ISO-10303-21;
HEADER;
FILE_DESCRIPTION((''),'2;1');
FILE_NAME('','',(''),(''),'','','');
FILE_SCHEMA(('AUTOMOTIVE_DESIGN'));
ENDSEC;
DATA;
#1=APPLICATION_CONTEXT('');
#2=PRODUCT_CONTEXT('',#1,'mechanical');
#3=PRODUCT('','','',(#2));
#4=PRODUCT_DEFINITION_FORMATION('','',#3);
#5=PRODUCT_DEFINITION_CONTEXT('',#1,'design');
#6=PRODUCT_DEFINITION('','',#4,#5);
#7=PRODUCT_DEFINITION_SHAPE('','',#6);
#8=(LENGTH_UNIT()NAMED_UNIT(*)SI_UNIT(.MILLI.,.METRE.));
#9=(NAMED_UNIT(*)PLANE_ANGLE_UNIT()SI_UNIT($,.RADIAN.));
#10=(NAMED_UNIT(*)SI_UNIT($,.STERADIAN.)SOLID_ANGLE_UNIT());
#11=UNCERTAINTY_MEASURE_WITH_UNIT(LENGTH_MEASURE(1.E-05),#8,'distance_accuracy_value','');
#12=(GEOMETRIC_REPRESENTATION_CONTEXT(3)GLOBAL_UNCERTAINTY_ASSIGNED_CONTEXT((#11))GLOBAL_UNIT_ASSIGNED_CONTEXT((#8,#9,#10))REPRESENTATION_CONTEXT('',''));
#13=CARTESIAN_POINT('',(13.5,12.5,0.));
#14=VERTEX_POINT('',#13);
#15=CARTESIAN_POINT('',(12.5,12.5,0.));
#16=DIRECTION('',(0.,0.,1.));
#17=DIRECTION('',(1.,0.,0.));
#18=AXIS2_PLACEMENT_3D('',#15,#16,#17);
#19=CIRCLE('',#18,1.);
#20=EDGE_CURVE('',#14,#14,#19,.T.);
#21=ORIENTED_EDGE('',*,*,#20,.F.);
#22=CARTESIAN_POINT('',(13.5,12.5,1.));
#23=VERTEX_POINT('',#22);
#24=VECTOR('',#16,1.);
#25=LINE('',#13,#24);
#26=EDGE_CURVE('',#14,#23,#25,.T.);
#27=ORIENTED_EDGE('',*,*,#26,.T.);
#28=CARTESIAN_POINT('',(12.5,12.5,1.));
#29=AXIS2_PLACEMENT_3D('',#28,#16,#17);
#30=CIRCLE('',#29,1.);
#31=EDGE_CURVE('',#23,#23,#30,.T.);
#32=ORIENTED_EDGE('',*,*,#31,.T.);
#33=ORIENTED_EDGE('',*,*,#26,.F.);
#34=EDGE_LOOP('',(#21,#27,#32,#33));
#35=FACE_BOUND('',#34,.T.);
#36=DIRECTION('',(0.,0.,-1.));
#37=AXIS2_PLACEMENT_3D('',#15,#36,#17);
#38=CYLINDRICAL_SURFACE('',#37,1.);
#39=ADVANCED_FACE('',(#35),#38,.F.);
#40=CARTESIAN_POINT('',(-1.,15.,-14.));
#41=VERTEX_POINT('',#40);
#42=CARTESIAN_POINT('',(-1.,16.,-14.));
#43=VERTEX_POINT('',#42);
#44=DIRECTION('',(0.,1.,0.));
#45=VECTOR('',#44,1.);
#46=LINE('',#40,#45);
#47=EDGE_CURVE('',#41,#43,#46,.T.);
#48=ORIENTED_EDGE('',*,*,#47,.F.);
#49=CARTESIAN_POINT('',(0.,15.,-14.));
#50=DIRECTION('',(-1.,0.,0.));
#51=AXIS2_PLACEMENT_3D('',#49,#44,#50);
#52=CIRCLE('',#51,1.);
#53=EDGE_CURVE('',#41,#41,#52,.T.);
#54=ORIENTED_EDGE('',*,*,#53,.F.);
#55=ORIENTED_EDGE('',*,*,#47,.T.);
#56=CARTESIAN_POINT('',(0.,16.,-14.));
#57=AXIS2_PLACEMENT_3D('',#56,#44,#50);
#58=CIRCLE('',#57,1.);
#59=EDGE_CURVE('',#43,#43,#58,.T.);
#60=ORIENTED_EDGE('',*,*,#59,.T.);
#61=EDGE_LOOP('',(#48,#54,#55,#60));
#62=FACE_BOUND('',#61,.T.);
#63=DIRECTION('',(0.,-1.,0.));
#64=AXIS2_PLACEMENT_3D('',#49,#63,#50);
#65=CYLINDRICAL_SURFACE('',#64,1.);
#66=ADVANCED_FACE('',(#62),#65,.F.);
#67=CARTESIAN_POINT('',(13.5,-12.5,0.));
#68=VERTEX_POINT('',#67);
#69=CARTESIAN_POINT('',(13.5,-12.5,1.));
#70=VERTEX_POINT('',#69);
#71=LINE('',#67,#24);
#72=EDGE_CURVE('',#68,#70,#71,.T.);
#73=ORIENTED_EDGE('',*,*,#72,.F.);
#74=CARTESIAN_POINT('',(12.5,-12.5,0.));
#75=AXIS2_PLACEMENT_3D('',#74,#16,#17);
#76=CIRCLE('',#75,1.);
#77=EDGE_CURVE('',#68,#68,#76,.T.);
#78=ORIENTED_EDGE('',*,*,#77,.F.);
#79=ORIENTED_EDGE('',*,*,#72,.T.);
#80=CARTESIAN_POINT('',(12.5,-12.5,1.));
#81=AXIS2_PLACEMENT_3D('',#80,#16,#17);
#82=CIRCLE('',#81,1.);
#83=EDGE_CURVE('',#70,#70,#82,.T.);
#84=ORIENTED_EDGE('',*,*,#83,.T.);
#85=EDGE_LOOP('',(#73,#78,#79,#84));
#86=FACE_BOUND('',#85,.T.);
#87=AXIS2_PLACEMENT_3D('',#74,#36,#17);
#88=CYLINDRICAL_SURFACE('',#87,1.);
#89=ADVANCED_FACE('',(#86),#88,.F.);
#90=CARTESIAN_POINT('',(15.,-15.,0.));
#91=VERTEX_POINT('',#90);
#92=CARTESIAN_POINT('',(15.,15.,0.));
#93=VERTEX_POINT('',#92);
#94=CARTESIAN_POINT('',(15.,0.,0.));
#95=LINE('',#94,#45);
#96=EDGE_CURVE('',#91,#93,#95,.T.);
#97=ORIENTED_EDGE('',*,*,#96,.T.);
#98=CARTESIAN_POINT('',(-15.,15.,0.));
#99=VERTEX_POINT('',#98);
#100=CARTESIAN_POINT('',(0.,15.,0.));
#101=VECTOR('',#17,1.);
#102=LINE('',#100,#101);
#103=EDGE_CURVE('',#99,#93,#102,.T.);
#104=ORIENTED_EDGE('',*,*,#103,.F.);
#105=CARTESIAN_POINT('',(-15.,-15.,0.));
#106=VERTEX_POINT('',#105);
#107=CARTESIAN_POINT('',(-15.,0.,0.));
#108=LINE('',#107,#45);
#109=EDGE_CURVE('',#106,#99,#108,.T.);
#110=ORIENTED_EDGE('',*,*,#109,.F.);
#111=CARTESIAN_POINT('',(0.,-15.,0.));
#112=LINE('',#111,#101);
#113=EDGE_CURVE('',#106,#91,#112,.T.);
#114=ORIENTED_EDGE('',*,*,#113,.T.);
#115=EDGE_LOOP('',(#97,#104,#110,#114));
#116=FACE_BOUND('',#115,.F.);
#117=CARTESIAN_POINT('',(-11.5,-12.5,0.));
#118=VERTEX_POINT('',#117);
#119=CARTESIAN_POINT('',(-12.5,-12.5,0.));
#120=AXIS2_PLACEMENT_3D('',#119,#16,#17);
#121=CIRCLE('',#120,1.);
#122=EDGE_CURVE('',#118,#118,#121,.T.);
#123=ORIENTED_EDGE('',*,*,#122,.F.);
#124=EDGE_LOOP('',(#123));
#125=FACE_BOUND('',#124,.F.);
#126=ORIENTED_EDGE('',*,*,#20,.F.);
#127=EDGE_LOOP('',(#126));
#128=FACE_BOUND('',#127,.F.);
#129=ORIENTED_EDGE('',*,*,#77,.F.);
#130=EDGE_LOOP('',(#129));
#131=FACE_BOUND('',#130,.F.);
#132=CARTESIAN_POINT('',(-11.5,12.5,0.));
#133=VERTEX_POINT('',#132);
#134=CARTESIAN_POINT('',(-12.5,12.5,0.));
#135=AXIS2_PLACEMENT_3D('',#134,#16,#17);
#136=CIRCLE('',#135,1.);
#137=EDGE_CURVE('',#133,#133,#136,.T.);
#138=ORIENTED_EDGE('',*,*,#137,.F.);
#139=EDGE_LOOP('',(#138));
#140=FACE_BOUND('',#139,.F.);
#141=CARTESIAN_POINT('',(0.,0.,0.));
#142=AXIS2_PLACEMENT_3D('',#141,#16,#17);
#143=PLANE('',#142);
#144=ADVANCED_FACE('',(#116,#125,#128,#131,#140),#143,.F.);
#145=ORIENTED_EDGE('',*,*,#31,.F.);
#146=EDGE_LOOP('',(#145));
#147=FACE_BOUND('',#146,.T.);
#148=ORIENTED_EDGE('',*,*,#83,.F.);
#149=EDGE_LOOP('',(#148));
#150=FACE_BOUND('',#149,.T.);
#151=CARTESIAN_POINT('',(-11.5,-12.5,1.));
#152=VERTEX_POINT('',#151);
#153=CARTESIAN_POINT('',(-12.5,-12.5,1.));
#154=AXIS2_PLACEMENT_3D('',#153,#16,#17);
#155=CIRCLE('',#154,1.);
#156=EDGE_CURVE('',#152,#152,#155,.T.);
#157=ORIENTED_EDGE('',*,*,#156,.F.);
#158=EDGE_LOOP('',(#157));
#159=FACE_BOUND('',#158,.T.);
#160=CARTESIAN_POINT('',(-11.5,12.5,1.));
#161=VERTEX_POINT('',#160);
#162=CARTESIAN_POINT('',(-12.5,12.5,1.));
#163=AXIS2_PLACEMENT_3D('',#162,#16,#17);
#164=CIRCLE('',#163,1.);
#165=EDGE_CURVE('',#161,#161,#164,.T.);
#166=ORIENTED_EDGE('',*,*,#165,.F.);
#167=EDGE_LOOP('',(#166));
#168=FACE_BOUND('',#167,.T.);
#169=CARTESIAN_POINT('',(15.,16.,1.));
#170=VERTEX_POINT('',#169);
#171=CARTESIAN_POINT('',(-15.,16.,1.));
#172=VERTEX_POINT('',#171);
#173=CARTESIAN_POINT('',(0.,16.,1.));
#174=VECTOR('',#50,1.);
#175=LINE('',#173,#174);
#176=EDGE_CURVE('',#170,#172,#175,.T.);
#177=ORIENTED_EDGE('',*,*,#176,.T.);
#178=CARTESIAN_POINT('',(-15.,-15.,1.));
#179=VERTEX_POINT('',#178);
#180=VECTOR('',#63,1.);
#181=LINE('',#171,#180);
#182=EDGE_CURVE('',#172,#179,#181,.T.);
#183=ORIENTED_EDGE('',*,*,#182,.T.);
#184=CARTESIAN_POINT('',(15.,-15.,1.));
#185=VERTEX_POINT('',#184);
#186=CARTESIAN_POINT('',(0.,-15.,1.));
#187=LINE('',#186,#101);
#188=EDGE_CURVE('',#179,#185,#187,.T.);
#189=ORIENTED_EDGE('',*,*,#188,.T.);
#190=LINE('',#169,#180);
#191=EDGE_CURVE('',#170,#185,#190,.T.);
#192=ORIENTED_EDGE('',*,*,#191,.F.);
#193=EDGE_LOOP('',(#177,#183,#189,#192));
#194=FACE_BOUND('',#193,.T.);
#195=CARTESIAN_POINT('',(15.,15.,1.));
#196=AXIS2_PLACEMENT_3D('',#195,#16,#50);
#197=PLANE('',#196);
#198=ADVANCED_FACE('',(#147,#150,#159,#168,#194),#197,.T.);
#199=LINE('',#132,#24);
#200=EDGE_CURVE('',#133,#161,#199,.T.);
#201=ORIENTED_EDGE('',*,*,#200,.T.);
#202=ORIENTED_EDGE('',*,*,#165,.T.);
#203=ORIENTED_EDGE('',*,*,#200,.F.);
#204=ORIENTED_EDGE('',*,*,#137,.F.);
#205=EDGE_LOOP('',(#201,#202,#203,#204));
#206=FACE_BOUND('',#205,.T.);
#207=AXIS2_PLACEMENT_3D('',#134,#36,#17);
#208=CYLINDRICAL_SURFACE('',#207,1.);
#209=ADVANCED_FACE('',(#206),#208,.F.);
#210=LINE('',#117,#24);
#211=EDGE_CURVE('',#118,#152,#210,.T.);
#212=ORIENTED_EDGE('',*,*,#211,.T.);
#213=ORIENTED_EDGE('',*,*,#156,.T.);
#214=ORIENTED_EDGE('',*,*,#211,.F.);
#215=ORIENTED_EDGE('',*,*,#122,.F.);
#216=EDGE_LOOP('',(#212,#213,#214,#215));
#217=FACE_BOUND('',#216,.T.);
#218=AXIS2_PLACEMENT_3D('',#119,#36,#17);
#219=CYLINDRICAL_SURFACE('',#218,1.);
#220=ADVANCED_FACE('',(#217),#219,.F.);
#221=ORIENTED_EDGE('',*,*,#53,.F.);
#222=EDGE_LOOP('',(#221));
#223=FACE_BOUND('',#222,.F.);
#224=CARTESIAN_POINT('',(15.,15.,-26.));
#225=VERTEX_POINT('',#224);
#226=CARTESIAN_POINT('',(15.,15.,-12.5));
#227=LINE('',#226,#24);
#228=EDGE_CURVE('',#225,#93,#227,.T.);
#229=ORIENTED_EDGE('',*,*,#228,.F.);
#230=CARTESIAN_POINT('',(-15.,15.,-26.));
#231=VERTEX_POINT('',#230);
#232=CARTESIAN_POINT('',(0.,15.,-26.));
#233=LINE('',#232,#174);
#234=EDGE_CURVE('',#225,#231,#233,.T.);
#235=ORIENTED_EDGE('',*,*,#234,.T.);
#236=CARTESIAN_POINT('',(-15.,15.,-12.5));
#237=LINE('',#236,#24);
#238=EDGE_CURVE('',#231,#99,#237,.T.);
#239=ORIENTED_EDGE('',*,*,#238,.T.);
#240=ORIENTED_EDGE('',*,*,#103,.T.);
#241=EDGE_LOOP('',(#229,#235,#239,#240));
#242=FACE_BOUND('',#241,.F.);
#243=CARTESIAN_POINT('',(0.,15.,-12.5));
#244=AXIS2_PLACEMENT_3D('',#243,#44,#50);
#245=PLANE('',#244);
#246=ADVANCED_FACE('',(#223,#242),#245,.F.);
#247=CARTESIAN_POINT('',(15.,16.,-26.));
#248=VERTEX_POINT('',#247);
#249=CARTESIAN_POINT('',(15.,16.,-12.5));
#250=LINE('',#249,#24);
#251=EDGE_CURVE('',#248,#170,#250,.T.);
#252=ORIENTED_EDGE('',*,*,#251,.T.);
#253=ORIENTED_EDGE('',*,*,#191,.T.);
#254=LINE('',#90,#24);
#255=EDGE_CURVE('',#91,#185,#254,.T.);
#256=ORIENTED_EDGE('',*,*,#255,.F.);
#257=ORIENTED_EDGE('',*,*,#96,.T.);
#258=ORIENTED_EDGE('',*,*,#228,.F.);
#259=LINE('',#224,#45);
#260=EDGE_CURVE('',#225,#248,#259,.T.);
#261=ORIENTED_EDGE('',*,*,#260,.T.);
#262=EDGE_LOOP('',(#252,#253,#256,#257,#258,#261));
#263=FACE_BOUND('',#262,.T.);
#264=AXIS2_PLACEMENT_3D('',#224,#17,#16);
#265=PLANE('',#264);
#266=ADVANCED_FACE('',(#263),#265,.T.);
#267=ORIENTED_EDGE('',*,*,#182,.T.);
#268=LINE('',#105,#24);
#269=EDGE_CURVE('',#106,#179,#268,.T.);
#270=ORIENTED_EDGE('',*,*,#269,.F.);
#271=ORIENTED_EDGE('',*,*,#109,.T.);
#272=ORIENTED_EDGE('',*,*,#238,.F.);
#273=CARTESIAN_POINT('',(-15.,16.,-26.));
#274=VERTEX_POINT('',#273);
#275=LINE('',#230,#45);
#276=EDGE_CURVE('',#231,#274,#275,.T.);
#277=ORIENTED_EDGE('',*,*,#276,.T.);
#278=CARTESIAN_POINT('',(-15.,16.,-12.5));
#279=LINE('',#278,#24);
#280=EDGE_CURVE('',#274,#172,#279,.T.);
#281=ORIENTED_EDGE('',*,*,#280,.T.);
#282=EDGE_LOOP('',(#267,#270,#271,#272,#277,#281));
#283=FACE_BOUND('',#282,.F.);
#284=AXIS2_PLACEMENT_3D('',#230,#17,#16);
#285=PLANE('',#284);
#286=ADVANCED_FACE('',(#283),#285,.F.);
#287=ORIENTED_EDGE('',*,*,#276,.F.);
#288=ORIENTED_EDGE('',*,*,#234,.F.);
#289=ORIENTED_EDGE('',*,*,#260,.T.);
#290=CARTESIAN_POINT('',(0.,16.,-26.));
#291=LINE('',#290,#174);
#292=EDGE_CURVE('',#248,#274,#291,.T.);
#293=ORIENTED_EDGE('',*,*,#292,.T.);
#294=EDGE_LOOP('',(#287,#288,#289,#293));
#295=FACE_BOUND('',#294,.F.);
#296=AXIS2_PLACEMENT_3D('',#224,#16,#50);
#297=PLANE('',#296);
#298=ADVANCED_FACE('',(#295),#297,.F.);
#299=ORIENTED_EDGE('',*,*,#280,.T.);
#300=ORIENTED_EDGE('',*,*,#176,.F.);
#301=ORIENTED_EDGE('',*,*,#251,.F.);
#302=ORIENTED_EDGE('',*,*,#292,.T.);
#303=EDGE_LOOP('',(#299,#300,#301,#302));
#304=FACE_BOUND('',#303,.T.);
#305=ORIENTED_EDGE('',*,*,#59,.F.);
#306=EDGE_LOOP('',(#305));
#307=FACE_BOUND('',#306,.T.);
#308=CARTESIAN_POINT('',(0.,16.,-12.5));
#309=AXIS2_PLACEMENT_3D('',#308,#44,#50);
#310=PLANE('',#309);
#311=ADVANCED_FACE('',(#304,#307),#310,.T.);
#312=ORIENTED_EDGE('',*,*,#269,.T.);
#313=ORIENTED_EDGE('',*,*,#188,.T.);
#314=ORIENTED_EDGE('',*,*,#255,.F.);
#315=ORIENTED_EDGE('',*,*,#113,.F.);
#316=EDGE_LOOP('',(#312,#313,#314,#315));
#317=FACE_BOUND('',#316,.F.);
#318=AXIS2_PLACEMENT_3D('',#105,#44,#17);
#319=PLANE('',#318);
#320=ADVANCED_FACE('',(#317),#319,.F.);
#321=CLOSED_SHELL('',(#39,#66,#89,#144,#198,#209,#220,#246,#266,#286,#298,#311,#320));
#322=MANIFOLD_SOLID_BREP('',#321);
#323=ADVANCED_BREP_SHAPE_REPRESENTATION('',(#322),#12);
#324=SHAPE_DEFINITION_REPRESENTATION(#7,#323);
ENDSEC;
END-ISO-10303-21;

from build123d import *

# Parameters (mm, degrees)
F0_W     = 30
F0_H     = 30
F0_R     = 1
F1_DEPTH = 1
F2_W     = 30
F2_H     = 27
F2_R     = 1
F3_DEPTH = 1


with BuildPart() as f1:
    # F0 (on Top) → F1 (new body)
    with BuildSketch(Plane.XY):
        Rectangle(F0_W, F0_H)
        with Locations((-12.5, -12.5)):
            Circle(F0_R, mode=Mode.SUBTRACT)
        with Locations((12.5, -12.5)):
            Circle(F0_R, mode=Mode.SUBTRACT)
        with Locations((-12.5, 12.5)):
            Circle(F0_R, mode=Mode.SUBTRACT)
        with Locations((12.5, 12.5)):
            Circle(F0_R, mode=Mode.SUBTRACT)
    extrude(amount=F1_DEPTH)

    # F2 (on face) → F3 (join)
    with BuildSketch(Plane(origin=(0, 15, 0), x_dir=(-1, 0, 0), z_dir=(0, 1, 0))):
        with Locations((0, -12.5)):
            Rectangle(F2_W, F2_H)
        with Locations((0, -14)):
            Circle(F2_R, mode=Mode.SUBTRACT)
    extrude(amount=F3_DEPTH)


solid = f1.part
